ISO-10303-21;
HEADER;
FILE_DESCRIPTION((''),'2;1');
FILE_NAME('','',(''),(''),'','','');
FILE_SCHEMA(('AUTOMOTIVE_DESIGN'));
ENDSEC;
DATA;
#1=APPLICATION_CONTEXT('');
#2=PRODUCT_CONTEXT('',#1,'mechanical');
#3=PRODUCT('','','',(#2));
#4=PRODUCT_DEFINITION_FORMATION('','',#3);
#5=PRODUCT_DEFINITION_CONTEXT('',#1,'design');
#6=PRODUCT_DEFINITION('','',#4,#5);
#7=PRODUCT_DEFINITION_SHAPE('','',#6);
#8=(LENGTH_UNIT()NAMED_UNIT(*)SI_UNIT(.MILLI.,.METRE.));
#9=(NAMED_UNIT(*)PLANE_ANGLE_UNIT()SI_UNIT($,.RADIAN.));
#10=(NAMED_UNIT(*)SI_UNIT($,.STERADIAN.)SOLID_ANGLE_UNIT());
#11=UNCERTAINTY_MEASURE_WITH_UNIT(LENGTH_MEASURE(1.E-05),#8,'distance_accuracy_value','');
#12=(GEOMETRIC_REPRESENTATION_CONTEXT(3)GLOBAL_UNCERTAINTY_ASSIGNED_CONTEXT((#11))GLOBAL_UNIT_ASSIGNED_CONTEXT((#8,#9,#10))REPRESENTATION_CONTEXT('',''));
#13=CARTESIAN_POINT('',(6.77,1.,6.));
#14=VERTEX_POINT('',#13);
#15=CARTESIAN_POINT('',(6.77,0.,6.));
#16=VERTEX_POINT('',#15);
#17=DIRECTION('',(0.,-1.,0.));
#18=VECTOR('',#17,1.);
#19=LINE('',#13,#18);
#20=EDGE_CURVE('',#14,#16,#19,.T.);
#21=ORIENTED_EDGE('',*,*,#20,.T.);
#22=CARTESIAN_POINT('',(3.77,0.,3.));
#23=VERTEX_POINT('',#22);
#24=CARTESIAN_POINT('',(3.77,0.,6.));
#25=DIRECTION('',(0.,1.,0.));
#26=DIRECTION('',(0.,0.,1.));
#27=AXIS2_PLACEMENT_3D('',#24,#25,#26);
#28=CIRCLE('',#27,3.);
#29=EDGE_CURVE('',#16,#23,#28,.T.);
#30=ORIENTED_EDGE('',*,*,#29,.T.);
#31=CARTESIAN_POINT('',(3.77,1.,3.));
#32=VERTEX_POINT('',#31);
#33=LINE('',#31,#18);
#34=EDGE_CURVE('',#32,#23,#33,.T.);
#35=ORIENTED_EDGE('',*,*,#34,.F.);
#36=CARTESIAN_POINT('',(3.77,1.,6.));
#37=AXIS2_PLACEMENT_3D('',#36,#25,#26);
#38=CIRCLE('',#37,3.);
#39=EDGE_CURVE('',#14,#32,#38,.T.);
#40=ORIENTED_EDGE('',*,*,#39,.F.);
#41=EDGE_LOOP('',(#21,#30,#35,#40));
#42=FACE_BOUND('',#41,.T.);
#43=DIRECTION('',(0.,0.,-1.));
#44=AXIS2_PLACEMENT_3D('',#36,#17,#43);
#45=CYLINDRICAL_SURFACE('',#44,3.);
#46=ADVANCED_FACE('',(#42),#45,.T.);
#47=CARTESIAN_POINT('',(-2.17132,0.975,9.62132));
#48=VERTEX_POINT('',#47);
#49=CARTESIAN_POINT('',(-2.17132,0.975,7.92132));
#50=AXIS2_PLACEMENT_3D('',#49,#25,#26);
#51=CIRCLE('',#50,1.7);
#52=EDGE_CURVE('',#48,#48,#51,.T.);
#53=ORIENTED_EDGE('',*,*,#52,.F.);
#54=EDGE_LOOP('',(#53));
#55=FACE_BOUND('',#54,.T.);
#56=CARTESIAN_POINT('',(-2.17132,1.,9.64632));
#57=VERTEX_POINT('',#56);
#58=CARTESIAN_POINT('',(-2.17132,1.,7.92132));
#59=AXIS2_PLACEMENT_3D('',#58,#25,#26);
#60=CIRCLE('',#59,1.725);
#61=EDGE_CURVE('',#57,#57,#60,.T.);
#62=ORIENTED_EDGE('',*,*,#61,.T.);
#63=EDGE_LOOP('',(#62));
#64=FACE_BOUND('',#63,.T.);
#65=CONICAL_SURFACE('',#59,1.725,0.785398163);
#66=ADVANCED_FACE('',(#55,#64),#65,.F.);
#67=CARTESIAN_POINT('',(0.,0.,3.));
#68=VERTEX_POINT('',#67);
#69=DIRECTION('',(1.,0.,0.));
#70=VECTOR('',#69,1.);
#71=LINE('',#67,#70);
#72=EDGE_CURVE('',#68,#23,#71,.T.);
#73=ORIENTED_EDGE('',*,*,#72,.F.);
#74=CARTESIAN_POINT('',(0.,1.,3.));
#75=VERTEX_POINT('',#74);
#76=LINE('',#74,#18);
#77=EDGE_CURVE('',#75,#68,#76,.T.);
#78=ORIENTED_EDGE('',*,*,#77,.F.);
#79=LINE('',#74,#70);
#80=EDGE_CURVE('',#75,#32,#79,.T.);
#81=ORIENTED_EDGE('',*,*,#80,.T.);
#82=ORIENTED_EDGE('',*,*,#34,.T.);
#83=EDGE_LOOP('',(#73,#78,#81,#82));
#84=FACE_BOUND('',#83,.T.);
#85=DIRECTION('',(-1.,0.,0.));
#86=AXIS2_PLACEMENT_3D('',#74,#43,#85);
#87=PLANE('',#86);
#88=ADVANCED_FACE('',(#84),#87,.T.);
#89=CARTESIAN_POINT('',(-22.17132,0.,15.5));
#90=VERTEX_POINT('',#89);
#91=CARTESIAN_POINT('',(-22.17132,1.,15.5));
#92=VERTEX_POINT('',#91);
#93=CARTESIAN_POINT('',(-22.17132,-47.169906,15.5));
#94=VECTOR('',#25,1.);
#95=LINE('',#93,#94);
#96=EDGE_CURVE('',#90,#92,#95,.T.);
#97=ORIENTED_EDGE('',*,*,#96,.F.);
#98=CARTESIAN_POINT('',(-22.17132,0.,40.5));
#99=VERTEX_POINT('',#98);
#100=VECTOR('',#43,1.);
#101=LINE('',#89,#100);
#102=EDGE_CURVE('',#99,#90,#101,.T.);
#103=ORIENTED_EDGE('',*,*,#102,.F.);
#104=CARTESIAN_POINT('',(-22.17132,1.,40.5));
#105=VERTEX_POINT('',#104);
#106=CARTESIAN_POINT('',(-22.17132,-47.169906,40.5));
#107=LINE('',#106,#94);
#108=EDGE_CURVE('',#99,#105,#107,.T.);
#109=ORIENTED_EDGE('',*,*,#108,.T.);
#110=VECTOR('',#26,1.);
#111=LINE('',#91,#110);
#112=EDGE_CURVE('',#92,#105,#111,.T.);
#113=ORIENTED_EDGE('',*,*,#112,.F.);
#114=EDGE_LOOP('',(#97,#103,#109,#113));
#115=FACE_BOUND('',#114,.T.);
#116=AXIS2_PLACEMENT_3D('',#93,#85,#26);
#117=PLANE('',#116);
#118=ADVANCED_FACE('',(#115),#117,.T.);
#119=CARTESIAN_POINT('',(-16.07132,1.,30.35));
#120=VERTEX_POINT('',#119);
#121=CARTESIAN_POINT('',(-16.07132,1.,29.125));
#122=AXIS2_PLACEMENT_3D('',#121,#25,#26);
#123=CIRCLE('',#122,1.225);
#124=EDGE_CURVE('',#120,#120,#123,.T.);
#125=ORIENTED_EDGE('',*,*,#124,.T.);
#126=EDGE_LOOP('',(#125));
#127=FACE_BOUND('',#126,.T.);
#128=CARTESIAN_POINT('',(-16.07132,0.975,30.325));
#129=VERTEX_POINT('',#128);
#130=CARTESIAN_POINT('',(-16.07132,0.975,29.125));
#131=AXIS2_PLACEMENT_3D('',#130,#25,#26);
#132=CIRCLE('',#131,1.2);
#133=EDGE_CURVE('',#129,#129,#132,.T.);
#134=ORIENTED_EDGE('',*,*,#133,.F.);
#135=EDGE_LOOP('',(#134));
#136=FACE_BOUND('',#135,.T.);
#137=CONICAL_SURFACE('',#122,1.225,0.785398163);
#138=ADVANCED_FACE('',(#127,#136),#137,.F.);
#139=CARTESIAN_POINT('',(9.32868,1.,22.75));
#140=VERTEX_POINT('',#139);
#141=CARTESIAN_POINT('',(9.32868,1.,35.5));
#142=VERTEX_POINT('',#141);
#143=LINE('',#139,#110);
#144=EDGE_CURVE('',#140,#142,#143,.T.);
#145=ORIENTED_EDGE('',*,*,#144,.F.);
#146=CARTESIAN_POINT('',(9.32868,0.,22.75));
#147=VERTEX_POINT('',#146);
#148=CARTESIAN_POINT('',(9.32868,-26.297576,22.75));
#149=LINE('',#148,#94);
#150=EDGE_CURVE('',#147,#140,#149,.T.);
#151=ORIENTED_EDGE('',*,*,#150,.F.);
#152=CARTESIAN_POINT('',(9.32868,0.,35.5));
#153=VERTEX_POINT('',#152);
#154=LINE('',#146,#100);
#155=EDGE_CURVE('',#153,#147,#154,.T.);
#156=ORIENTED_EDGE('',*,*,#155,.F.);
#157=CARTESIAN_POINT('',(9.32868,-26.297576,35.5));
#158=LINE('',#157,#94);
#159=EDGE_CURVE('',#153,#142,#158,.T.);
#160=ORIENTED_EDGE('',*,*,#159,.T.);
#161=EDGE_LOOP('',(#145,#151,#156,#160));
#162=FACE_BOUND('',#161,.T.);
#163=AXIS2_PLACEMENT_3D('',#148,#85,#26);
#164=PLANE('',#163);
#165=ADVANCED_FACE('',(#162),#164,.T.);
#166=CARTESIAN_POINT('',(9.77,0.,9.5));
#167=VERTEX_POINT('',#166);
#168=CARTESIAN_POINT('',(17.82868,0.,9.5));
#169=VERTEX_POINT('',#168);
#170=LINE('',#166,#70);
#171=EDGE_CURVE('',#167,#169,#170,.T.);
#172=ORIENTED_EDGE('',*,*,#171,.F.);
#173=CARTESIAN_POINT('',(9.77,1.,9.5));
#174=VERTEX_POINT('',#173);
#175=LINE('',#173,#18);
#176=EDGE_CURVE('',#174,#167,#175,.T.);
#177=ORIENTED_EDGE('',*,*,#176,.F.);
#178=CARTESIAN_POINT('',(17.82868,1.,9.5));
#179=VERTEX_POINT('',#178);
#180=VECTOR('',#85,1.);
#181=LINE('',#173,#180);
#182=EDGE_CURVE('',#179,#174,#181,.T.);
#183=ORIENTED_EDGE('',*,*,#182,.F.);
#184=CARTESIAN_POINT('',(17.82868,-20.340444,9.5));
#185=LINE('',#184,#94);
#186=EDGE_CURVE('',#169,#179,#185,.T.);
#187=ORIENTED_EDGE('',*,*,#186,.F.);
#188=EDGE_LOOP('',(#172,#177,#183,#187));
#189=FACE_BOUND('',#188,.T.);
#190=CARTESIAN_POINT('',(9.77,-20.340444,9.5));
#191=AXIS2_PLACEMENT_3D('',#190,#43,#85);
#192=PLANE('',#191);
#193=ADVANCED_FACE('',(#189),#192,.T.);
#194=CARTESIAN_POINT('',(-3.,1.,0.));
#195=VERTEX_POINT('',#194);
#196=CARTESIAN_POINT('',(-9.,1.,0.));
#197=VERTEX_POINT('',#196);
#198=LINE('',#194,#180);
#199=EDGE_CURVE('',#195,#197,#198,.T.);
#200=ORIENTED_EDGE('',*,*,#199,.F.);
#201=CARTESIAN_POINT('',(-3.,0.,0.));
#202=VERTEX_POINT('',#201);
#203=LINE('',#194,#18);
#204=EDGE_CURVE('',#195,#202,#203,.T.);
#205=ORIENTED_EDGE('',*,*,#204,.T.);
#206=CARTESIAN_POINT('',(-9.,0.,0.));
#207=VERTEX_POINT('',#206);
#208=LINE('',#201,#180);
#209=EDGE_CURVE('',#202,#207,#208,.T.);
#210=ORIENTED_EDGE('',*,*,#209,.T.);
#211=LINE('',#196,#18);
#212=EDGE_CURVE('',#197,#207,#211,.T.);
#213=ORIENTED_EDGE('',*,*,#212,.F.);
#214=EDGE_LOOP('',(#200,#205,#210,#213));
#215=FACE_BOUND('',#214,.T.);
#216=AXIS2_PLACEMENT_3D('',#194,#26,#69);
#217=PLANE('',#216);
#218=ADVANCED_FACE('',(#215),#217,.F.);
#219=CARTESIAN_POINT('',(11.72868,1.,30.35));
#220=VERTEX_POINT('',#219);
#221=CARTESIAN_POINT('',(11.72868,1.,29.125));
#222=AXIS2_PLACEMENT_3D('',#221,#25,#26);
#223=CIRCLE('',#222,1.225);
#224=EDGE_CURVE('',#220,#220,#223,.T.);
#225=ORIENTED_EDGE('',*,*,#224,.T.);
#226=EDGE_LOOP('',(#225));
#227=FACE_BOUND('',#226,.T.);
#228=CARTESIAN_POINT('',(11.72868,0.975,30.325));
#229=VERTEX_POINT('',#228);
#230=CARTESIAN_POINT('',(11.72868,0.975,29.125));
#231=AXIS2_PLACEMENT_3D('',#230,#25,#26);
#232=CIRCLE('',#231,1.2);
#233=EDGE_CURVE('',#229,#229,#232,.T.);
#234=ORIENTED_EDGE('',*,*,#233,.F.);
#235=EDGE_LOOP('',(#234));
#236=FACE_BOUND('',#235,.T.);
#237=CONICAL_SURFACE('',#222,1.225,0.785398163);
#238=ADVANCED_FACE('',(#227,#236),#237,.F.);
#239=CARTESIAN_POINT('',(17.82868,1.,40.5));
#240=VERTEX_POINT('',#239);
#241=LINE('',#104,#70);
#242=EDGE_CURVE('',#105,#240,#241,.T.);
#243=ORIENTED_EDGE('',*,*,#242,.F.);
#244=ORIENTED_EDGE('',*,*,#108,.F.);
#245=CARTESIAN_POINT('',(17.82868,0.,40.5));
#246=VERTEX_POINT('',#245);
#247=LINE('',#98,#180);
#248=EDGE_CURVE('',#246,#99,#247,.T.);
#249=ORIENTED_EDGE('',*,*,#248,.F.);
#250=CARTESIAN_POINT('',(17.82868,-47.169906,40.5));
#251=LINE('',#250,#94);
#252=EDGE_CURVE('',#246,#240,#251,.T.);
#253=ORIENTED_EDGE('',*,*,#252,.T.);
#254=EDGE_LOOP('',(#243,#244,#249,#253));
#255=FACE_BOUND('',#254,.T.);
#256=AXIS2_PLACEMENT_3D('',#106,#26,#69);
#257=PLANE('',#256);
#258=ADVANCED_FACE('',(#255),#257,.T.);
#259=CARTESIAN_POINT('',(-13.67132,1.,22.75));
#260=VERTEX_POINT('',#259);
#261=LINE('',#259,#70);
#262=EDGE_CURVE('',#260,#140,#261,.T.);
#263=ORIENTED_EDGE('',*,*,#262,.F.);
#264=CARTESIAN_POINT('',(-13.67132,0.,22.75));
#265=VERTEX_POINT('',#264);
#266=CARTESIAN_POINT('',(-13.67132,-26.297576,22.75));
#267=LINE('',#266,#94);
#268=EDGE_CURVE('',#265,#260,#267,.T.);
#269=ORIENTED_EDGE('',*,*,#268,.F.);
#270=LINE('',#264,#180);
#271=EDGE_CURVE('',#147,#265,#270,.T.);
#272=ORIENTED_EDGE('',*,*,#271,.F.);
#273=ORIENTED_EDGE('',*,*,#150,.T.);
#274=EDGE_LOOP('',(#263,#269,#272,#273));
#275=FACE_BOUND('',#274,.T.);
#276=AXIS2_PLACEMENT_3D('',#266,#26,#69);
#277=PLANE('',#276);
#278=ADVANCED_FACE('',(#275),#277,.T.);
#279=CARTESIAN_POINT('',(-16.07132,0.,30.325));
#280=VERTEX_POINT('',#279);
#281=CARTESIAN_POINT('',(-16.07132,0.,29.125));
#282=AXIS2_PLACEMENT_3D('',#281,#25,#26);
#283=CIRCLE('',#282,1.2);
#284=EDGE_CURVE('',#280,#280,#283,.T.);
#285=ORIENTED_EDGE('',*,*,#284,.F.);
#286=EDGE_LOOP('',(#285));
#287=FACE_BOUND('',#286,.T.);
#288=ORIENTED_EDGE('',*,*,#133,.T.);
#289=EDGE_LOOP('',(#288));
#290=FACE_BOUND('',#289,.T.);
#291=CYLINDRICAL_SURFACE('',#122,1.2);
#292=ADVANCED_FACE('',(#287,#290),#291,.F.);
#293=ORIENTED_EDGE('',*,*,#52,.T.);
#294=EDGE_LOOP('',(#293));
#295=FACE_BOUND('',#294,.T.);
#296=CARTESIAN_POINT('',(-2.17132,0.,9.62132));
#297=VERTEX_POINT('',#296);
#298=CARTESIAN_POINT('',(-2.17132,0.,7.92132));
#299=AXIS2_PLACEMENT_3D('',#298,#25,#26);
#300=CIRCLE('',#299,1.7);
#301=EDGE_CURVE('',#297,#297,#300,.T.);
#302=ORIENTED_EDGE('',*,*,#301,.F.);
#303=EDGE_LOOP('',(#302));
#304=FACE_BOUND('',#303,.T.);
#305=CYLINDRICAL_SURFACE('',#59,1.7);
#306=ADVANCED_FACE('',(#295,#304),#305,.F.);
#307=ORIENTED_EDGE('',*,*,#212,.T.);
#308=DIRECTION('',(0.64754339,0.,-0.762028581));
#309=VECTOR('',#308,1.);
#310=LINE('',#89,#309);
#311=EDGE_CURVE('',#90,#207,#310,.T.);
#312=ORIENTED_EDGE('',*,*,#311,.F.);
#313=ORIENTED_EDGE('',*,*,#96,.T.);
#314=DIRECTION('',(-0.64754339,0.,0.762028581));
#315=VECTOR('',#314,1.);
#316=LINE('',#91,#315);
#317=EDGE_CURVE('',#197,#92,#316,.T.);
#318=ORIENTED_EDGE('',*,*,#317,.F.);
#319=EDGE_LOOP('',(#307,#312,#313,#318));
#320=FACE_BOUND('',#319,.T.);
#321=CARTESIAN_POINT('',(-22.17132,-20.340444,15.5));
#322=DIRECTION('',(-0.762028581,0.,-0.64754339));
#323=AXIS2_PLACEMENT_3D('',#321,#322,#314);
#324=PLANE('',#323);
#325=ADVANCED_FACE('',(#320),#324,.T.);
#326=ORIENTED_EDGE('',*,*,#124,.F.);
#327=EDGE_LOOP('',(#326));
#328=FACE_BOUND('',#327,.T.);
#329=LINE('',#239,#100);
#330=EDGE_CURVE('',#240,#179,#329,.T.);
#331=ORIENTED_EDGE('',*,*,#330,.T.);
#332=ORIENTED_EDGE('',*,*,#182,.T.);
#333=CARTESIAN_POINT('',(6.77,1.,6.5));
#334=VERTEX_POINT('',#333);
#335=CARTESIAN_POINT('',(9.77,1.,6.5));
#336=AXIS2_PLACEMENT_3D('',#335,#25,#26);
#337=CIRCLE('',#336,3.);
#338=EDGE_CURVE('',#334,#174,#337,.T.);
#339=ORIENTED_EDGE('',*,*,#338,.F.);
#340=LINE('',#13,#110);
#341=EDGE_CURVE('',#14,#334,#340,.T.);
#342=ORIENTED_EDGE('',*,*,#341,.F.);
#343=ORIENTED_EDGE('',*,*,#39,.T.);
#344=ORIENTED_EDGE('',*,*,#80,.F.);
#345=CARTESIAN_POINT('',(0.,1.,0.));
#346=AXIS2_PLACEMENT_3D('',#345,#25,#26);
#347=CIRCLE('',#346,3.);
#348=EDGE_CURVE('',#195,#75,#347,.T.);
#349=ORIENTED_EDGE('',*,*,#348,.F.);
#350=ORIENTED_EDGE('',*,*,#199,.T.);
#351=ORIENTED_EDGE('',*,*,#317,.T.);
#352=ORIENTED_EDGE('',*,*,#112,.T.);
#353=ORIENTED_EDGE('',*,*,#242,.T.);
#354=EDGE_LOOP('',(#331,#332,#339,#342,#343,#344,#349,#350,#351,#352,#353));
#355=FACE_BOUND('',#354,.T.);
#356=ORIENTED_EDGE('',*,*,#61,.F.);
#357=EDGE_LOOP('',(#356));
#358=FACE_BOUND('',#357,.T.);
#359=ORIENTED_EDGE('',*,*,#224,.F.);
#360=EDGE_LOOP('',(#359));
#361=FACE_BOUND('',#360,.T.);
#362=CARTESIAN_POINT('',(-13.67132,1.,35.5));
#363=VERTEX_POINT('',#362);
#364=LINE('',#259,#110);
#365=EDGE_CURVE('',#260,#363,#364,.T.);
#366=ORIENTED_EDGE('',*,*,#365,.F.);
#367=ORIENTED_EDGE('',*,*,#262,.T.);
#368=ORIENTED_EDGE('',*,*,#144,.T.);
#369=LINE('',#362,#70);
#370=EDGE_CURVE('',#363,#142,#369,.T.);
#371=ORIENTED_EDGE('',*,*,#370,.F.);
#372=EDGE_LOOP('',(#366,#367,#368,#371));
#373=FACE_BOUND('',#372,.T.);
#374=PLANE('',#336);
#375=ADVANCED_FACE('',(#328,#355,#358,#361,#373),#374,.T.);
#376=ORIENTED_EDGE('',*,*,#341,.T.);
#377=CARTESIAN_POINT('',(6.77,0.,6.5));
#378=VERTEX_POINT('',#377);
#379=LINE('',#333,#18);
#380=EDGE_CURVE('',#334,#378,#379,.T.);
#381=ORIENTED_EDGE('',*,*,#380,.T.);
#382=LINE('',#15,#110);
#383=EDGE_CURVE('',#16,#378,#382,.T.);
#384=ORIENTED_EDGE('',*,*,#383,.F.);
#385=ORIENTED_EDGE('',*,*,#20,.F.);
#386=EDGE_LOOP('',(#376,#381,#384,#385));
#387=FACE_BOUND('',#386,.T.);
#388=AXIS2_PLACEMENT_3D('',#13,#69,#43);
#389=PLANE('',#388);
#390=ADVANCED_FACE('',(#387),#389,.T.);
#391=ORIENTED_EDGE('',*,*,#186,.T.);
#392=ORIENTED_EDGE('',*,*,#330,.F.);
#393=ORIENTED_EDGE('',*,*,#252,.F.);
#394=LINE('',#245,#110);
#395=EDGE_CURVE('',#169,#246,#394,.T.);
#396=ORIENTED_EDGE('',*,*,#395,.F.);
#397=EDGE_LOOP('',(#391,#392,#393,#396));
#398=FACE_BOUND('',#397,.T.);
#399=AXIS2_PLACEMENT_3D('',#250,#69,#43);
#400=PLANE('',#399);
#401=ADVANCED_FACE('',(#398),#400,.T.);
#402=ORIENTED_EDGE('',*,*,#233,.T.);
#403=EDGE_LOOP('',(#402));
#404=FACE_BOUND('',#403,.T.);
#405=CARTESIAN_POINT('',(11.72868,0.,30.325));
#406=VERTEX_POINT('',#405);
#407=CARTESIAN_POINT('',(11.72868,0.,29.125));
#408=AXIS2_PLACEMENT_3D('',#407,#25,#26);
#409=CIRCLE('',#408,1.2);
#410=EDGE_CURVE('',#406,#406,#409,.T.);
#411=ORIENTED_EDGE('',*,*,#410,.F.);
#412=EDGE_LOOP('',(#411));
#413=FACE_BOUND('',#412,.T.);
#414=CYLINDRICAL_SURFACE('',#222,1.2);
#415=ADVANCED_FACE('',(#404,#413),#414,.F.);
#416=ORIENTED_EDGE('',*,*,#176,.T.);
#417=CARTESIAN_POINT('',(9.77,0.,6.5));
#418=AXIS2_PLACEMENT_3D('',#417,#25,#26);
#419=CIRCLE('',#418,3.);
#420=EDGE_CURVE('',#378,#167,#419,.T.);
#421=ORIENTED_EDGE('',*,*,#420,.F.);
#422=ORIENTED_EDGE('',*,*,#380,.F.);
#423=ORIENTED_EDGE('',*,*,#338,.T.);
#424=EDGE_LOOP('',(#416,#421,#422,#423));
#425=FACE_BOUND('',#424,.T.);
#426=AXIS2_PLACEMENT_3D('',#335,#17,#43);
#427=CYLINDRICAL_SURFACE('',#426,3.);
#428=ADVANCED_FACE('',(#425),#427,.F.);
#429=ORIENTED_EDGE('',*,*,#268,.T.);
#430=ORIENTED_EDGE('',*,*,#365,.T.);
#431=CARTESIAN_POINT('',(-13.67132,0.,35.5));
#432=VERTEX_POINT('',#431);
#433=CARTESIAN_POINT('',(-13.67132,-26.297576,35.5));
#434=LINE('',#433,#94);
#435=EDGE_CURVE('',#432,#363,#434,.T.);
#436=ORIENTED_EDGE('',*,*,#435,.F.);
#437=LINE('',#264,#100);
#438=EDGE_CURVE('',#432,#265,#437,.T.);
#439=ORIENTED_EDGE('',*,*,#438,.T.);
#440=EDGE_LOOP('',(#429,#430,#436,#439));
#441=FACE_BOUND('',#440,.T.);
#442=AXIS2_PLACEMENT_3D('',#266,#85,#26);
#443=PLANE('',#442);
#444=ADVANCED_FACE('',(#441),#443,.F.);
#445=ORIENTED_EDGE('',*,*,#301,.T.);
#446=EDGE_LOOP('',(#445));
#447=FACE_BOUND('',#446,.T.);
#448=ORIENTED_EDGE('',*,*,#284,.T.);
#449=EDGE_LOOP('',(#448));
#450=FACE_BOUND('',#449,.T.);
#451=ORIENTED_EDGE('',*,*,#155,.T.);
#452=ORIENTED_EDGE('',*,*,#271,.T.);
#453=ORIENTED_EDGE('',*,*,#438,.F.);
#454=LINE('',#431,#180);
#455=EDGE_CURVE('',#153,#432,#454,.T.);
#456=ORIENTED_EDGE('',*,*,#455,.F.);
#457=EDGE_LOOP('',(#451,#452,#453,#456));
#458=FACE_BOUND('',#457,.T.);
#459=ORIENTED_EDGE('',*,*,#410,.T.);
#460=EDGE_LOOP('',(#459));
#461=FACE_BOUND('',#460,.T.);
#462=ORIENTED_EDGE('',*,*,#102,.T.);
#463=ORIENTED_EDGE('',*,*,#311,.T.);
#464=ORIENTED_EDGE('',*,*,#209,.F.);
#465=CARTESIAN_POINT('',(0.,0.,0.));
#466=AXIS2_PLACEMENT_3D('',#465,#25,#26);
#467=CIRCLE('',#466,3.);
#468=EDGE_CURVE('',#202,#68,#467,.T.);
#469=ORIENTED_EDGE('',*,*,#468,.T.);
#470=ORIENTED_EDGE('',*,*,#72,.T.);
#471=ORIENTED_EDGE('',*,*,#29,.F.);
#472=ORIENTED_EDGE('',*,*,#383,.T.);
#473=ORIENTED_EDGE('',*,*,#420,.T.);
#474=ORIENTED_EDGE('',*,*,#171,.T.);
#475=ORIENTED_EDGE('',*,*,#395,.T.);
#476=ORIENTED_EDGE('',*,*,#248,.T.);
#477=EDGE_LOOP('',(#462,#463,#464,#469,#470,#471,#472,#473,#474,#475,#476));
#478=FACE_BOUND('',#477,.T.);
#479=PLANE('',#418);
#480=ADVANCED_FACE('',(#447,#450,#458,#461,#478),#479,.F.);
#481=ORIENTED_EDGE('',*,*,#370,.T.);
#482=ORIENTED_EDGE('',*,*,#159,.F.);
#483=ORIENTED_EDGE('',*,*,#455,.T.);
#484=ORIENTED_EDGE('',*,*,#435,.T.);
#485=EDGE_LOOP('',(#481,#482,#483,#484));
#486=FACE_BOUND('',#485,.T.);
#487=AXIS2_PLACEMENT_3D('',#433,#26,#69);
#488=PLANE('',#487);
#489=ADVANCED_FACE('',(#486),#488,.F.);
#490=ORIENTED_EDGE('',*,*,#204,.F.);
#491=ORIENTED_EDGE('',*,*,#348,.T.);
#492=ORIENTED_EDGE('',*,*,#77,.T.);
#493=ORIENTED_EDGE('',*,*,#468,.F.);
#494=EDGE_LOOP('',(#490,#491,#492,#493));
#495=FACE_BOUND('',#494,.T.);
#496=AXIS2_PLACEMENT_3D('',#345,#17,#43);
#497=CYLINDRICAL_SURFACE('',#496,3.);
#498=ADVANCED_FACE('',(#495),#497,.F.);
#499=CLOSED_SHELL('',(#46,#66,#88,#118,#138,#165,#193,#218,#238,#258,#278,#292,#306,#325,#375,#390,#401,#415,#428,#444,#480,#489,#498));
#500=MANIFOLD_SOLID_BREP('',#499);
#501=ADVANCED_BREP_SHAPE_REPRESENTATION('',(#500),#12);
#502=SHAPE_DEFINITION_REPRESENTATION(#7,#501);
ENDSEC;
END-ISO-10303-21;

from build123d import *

# Parameters (mm, degrees)
BOSS_EXTRUDE1_DEPTH           = 1
SKETCH4_W                     = 40
SKETCH4_H                     = 25
BOSS_EXTRUDE2_DEPTH           = 1
SKETCH5_W                     = 8.058679656
SKETCH5_H                     = 6
BOSS_EXTRUDE3_DEPTH           = 1
SKETCH8_W                     = 23
SKETCH8_H                     = 12.75
CUT_EXTRUDE1_DEPTH            = 1
M2_CLEARANCE_HOLE1_AT_2_COUNT = 2
M2_CLEARANCE_HOLE1_AT_2_PITCH = 27.8


with BuildPart() as part:
    # Sketch1 → Boss-Extrude1 (new body)
    with BuildSketch(Plane(origin=(0, 0, 0), x_dir=(1, 0, 0), z_dir=(0, 1, 0))):
        with BuildLine():
            Line((-3, 0), (-9, 0))
            Line((-9, 0), (-9, -15.5))
            Line((-9, -15.5), (9.77, -15.5))
            Line((9.77, -15.5), (9.77, -9.5))
            ThreePointArc((9.77, -9.5), (7.648679656, -8.621320344), (6.77, -6.5))
            Line((6.77, -6.5), (6.77, -6))
            ThreePointArc((6.77, -6), (5.891320344, -3.878679656), (3.77, -3))
            Line((3.77, -3), (0, -3))
            ThreePointArc((0, -3), (-2.121320344, -2.121320344), (-3, 0))
        make_face()
    extrude(amount=BOSS_EXTRUDE1_DEPTH)

    # Sketch3 → M3 Clearance Hole1 (revolve, cut)
    with BuildSketch(Plane(origin=(-2.171320344, 1, 7.921320344), x_dir=(0, 0, 1), z_dir=(1, 0, 0))):
        Polygon((0, 0), (0, 1), (1.7, 1), (1.7, 0.025), (1.725, 0), align=None)
    revolve(axis=Axis((-2.171320344, 7.35, 7.921320344), (0, -1, 0)), mode=Mode.SUBTRACT)

    # Sketch4 → Boss-Extrude2 (add)
    with BuildSketch(Plane(origin=(0, 1, 0), x_dir=(1, 0, 0), z_dir=(0, 1, 0))):
        with Locations((-2.171320344, -28)):
            Rectangle(SKETCH4_W, SKETCH4_H)
    extrude(amount=-BOSS_EXTRUDE2_DEPTH)

    # Sketch5 → Boss-Extrude3 (add)
    with BuildSketch(Plane(origin=(0, 1, 0), x_dir=(1, 0, 0), z_dir=(0, 1, 0))):
        with Locations((13.799339828, -12.5)):
            Rectangle(SKETCH5_W, SKETCH5_H)
        Polygon((-9, -15.5), (-22.171320344, -15.5), (-9, 0), align=None)
    extrude(amount=-BOSS_EXTRUDE3_DEPTH)

    # Sketch8 → Cut-Extrude1 (cut)
    with BuildSketch(Plane(origin=(0, 1, 0), x_dir=(1, 0, 0), z_dir=(0, 1, 0))):
        with Locations((-2.171320344, -29.125)):
            Rectangle(SKETCH8_W, SKETCH8_H)
    extrude(amount=-CUT_EXTRUDE1_DEPTH, mode=Mode.SUBTRACT)

    # Sketch10 → M2 Clearance Hole1 (revolve, cut)
    with BuildSketch(Plane(origin=(-16.071320344, 1, 29.125), x_dir=(0, 0, 1), z_dir=(1, 0, 0))):
        Polygon((0, 0), (0, 1), (1.2, 1), (1.2, 0.025), (1.225, 0), align=None)
    m2_clearance_hole1 = revolve(axis=Axis((-16.071320344, 7.35, 29.125), (0, -1, 0)), mode=Mode.SUBTRACT)

    # M2 Clearance Hole1 at 2: M2 Clearance Hole1 ×2
    with Locations(*[(i * M2_CLEARANCE_HOLE1_AT_2_PITCH, 0, 0) for i in range(1, M2_CLEARANCE_HOLE1_AT_2_COUNT)]):
        add(m2_clearance_hole1, mode=Mode.SUBTRACT)


solid = part.part
